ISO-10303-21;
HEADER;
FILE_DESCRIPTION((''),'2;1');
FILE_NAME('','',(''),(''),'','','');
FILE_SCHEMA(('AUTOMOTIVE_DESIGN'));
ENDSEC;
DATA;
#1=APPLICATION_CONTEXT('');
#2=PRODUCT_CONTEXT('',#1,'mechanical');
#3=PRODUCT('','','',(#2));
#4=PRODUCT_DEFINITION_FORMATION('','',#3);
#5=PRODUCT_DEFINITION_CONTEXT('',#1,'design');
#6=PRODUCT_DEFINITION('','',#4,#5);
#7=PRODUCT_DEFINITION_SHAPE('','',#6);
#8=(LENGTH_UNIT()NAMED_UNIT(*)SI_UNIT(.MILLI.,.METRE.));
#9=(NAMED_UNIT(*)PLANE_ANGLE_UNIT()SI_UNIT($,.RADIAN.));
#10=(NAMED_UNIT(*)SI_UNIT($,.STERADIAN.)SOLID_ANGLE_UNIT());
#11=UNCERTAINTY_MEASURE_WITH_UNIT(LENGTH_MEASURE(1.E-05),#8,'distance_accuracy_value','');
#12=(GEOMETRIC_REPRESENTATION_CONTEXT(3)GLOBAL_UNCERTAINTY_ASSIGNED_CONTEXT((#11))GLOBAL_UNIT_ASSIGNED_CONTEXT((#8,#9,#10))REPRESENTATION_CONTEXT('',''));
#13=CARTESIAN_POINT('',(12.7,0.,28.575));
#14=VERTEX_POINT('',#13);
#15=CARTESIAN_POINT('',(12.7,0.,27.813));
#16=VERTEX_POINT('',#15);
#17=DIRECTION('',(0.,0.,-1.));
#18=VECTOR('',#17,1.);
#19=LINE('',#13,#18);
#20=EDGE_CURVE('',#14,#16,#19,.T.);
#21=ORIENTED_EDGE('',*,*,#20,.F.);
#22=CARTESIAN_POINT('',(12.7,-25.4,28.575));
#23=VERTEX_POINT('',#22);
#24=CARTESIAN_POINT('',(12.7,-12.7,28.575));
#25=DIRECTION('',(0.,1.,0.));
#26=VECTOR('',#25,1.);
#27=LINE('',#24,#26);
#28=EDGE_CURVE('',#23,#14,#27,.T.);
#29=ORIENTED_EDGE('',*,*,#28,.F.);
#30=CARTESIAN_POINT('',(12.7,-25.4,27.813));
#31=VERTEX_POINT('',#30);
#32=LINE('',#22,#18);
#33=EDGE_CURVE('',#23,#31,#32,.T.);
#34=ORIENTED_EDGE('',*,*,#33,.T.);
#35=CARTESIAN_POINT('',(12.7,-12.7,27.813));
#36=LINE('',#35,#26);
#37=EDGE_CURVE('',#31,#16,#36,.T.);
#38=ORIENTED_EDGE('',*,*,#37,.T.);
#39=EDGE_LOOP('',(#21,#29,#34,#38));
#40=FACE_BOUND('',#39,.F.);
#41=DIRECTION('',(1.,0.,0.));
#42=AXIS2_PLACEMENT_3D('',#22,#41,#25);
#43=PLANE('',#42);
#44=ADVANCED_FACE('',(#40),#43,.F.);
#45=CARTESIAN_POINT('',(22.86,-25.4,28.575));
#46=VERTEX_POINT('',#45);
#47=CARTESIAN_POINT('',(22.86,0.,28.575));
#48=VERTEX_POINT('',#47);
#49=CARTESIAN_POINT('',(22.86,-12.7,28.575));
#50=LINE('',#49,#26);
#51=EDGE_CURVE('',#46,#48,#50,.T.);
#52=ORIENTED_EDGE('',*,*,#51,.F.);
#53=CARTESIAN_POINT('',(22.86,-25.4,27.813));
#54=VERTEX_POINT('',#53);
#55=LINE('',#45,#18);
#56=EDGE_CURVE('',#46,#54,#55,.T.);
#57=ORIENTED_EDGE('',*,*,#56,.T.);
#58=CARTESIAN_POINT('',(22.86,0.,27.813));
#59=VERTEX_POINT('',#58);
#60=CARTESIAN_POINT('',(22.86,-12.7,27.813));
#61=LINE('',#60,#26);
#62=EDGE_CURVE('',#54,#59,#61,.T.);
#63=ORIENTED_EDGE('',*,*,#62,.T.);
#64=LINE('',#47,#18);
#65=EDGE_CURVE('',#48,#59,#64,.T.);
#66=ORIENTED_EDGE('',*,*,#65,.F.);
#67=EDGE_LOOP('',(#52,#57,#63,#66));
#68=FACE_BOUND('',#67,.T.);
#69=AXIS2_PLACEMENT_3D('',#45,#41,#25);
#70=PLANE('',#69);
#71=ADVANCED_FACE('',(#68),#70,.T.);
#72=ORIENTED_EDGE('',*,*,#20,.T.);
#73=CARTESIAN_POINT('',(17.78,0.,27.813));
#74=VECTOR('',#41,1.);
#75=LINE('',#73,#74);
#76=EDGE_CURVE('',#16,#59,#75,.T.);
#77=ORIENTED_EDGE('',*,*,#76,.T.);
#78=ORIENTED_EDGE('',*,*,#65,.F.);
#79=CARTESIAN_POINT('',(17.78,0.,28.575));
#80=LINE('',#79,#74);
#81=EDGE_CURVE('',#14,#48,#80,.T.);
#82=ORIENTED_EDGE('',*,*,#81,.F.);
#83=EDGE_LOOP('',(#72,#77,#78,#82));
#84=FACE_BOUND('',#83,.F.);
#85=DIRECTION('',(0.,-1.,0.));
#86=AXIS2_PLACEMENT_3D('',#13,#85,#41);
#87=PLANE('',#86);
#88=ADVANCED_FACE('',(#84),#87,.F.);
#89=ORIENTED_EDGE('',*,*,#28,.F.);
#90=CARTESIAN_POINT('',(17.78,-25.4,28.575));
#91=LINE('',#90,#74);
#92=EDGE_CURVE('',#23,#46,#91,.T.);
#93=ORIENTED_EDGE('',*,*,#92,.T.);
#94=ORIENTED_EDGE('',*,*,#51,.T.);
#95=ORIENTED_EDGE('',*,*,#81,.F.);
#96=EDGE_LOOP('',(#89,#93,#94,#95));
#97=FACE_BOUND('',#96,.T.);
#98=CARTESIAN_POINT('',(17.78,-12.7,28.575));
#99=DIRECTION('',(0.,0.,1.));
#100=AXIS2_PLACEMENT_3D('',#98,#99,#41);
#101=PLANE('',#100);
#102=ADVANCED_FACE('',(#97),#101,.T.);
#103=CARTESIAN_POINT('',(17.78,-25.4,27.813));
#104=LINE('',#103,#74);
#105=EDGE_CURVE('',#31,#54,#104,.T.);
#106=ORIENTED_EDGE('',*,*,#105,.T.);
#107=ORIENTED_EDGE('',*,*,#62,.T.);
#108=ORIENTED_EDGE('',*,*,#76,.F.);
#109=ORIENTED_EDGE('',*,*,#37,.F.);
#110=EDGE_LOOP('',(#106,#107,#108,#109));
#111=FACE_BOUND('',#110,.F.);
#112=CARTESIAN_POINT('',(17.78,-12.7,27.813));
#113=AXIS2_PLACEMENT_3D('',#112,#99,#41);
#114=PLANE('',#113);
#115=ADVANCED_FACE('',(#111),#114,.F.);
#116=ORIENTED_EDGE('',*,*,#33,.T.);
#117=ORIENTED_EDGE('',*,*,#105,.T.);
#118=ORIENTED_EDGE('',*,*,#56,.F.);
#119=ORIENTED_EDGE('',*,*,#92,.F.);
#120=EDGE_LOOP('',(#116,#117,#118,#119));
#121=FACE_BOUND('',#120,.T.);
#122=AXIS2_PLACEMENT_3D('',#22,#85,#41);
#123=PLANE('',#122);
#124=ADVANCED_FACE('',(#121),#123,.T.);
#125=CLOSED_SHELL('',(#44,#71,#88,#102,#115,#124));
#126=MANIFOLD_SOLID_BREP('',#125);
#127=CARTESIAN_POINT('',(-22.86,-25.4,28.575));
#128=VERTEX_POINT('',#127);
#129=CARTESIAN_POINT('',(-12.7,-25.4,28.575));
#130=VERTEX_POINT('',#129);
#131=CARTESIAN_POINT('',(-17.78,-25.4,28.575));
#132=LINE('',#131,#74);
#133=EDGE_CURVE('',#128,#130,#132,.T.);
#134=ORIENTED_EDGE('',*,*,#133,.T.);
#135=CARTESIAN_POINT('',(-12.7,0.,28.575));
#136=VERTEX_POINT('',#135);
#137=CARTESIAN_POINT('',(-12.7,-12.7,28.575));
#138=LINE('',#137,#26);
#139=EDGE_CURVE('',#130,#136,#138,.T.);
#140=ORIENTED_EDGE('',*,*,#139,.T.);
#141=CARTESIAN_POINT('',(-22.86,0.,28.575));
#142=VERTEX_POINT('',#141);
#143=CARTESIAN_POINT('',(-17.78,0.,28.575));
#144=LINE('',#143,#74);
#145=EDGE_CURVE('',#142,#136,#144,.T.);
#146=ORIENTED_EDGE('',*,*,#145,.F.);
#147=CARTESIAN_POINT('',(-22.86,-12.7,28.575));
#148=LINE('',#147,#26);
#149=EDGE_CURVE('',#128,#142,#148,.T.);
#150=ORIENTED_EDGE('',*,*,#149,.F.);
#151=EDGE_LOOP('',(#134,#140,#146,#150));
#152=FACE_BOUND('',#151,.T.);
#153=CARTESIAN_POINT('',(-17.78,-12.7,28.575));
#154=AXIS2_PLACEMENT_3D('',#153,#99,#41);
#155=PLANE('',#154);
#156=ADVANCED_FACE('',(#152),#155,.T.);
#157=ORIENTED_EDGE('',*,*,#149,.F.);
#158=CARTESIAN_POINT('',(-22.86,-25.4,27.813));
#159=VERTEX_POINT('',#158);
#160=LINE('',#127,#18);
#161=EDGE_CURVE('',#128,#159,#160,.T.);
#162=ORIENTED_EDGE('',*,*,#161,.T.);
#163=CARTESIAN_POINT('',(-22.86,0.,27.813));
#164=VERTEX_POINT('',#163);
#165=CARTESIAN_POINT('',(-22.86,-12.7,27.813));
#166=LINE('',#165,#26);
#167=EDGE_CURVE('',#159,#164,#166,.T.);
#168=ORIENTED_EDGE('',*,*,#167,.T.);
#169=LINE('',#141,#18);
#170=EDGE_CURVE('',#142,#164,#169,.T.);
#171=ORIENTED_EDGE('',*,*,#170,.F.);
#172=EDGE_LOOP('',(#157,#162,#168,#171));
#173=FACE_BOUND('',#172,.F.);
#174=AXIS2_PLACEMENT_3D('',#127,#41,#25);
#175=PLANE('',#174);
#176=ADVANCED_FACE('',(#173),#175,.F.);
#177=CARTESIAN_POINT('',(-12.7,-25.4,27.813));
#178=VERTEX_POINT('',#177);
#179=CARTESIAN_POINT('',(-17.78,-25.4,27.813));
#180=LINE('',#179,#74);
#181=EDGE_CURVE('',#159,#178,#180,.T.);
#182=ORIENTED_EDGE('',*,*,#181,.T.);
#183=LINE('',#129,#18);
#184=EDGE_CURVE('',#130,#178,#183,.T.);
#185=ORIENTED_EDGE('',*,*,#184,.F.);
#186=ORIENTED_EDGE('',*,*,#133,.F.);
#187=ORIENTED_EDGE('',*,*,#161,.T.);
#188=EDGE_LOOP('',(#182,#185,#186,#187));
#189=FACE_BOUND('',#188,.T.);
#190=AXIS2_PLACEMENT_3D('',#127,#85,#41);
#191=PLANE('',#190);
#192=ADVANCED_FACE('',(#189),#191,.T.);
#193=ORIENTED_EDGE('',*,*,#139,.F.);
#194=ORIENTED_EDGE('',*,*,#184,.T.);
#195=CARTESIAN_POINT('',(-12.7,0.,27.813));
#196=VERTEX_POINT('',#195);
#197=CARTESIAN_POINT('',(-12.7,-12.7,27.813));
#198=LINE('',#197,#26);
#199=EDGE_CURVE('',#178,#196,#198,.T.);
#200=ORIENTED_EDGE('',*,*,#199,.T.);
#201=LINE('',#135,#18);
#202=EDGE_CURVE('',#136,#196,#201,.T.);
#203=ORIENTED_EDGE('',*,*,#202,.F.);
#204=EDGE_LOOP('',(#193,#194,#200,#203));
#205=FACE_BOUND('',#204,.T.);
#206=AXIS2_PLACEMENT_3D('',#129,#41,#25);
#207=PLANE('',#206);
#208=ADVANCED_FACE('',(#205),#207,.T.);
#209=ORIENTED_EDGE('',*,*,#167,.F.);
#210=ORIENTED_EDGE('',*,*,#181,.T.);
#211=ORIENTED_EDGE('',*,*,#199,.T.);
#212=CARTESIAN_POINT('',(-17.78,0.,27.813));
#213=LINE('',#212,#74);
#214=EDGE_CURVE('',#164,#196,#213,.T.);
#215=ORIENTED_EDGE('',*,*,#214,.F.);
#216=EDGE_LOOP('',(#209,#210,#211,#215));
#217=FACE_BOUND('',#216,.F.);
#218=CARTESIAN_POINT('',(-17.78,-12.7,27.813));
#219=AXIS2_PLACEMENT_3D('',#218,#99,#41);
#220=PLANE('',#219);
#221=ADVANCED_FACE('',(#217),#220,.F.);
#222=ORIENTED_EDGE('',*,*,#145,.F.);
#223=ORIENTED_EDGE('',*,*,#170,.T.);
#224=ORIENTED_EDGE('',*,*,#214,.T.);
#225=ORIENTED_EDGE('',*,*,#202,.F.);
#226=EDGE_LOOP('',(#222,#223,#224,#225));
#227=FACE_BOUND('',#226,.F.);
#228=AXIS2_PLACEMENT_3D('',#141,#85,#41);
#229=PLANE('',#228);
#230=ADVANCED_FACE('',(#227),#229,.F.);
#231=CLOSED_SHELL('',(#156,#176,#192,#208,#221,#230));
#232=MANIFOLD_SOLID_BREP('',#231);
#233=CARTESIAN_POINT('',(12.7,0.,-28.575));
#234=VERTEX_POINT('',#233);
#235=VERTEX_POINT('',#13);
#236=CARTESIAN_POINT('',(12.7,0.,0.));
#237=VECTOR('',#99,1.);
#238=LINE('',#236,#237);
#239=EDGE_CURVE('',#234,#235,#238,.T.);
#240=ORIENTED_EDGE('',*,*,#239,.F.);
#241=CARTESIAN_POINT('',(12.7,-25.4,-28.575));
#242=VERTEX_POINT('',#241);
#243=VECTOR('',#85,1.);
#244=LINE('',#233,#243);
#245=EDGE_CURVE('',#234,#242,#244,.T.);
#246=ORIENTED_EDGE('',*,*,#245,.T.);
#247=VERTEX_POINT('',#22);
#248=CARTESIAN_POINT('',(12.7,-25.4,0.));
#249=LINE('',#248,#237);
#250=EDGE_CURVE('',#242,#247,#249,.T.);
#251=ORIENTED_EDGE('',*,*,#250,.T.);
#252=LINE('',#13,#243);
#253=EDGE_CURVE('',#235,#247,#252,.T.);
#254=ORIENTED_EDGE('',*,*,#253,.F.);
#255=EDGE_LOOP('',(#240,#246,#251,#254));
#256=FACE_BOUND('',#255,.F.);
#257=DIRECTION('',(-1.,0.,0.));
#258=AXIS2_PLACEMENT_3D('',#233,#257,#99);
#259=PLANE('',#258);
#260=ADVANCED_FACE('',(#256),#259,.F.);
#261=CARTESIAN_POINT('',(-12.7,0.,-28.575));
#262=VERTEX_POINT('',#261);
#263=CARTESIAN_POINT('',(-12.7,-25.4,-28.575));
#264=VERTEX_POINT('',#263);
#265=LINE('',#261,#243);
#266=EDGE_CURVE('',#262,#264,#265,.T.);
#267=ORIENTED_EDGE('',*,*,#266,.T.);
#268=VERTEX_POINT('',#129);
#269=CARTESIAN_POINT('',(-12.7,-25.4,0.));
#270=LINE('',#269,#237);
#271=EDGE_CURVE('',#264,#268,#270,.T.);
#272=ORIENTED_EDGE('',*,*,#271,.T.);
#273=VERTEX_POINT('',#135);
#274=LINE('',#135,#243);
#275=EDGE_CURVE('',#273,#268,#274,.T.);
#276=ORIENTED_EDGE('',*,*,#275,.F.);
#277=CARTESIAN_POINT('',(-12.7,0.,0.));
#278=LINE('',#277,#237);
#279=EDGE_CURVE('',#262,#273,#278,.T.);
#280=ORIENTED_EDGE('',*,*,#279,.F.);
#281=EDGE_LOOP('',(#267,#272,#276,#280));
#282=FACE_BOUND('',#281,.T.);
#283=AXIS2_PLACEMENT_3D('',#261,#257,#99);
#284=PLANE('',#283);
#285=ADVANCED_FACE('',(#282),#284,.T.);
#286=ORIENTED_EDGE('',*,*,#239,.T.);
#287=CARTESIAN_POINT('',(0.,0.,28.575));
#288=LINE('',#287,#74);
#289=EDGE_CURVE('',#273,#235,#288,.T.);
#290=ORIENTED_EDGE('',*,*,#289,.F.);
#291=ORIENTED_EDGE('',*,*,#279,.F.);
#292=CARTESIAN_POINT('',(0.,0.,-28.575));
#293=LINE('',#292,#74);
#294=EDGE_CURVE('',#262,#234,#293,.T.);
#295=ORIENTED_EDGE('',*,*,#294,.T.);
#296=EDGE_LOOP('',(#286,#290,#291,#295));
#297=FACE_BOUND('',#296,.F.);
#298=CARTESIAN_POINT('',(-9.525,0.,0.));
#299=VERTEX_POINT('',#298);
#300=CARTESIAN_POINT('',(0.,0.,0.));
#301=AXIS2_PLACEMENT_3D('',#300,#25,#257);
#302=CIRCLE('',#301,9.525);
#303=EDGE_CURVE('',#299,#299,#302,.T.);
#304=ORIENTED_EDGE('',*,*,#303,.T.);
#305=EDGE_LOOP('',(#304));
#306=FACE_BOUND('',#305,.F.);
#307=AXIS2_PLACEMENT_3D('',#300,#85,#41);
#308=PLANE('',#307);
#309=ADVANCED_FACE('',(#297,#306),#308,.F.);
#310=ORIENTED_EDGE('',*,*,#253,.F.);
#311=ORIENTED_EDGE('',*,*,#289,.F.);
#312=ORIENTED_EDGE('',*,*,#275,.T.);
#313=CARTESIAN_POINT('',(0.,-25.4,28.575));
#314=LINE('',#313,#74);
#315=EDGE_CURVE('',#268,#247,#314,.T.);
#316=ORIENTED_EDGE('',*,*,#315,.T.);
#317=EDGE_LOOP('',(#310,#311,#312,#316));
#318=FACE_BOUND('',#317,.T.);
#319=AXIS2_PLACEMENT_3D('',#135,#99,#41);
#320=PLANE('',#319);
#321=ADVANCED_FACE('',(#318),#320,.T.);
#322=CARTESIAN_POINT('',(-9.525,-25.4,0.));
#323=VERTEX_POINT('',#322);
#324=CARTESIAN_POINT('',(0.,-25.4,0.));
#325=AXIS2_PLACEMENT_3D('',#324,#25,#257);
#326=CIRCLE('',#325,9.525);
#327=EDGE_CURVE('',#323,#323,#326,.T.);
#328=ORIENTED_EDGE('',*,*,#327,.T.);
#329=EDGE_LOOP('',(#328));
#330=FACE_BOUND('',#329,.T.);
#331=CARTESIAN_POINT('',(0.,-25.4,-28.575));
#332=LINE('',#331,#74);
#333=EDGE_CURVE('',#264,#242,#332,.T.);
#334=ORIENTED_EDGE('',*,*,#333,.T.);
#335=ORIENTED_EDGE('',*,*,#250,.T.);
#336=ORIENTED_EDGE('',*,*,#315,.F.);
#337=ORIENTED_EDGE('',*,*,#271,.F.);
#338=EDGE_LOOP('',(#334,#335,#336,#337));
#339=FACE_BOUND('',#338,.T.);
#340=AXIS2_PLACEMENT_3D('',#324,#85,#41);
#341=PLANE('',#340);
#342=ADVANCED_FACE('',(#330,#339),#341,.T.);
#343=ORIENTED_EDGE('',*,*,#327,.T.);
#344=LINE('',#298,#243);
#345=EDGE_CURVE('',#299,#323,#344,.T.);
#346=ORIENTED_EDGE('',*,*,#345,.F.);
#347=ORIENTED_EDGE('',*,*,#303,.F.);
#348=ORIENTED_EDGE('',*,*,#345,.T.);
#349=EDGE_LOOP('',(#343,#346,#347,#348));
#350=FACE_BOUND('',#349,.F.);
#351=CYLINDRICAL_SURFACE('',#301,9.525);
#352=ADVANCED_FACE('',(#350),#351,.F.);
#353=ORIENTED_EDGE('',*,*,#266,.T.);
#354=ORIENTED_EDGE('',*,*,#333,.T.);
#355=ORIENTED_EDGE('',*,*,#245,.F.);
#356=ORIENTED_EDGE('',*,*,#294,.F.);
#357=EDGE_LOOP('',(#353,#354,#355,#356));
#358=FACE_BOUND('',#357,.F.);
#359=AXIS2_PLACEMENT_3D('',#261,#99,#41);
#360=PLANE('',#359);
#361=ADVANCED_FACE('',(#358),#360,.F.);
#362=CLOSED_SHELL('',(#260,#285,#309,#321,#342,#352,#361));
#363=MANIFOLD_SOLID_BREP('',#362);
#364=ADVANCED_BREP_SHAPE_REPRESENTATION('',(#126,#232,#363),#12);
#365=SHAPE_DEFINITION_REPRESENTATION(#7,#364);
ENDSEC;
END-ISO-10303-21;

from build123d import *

# Parameters (mm, degrees)
F0_W     = 25.4
F0_H     = 57.15
F1_DEPTH = 25.4
F2_W     = 10.16
F2_H     = 25.4
F3_DEPTH = 0.762
F4_R     = 9.525
F5_DEPTH = 25.4


with BuildPart() as f1:
    # F0 (on Front) → F1 (new body)
    with BuildSketch(Plane.XZ):
        Rectangle(F0_W, F0_H)
    extrude(amount=F1_DEPTH)

    # F4 (on face) → F5 (cut)
    with BuildSketch(Plane(origin=(0, 0, 0), x_dir=(-1, 0, 0), z_dir=(0, 1, 0))):
        Circle(F4_R)
    extrude(amount=-F5_DEPTH, mode=Mode.SUBTRACT)


with BuildPart() as f3:
    # F2 (on face) → F3 (new body)
    with BuildSketch(Plane.XY.offset(28.575)):
        with Locations((-17.78, -12.7)):
            Rectangle(F2_W, F2_H)
        with Locations((17.78, -12.7)):
            Rectangle(F2_W, F2_H)
    extrude(amount=-F3_DEPTH)


solid = Compound([f1.part, f3.part])
